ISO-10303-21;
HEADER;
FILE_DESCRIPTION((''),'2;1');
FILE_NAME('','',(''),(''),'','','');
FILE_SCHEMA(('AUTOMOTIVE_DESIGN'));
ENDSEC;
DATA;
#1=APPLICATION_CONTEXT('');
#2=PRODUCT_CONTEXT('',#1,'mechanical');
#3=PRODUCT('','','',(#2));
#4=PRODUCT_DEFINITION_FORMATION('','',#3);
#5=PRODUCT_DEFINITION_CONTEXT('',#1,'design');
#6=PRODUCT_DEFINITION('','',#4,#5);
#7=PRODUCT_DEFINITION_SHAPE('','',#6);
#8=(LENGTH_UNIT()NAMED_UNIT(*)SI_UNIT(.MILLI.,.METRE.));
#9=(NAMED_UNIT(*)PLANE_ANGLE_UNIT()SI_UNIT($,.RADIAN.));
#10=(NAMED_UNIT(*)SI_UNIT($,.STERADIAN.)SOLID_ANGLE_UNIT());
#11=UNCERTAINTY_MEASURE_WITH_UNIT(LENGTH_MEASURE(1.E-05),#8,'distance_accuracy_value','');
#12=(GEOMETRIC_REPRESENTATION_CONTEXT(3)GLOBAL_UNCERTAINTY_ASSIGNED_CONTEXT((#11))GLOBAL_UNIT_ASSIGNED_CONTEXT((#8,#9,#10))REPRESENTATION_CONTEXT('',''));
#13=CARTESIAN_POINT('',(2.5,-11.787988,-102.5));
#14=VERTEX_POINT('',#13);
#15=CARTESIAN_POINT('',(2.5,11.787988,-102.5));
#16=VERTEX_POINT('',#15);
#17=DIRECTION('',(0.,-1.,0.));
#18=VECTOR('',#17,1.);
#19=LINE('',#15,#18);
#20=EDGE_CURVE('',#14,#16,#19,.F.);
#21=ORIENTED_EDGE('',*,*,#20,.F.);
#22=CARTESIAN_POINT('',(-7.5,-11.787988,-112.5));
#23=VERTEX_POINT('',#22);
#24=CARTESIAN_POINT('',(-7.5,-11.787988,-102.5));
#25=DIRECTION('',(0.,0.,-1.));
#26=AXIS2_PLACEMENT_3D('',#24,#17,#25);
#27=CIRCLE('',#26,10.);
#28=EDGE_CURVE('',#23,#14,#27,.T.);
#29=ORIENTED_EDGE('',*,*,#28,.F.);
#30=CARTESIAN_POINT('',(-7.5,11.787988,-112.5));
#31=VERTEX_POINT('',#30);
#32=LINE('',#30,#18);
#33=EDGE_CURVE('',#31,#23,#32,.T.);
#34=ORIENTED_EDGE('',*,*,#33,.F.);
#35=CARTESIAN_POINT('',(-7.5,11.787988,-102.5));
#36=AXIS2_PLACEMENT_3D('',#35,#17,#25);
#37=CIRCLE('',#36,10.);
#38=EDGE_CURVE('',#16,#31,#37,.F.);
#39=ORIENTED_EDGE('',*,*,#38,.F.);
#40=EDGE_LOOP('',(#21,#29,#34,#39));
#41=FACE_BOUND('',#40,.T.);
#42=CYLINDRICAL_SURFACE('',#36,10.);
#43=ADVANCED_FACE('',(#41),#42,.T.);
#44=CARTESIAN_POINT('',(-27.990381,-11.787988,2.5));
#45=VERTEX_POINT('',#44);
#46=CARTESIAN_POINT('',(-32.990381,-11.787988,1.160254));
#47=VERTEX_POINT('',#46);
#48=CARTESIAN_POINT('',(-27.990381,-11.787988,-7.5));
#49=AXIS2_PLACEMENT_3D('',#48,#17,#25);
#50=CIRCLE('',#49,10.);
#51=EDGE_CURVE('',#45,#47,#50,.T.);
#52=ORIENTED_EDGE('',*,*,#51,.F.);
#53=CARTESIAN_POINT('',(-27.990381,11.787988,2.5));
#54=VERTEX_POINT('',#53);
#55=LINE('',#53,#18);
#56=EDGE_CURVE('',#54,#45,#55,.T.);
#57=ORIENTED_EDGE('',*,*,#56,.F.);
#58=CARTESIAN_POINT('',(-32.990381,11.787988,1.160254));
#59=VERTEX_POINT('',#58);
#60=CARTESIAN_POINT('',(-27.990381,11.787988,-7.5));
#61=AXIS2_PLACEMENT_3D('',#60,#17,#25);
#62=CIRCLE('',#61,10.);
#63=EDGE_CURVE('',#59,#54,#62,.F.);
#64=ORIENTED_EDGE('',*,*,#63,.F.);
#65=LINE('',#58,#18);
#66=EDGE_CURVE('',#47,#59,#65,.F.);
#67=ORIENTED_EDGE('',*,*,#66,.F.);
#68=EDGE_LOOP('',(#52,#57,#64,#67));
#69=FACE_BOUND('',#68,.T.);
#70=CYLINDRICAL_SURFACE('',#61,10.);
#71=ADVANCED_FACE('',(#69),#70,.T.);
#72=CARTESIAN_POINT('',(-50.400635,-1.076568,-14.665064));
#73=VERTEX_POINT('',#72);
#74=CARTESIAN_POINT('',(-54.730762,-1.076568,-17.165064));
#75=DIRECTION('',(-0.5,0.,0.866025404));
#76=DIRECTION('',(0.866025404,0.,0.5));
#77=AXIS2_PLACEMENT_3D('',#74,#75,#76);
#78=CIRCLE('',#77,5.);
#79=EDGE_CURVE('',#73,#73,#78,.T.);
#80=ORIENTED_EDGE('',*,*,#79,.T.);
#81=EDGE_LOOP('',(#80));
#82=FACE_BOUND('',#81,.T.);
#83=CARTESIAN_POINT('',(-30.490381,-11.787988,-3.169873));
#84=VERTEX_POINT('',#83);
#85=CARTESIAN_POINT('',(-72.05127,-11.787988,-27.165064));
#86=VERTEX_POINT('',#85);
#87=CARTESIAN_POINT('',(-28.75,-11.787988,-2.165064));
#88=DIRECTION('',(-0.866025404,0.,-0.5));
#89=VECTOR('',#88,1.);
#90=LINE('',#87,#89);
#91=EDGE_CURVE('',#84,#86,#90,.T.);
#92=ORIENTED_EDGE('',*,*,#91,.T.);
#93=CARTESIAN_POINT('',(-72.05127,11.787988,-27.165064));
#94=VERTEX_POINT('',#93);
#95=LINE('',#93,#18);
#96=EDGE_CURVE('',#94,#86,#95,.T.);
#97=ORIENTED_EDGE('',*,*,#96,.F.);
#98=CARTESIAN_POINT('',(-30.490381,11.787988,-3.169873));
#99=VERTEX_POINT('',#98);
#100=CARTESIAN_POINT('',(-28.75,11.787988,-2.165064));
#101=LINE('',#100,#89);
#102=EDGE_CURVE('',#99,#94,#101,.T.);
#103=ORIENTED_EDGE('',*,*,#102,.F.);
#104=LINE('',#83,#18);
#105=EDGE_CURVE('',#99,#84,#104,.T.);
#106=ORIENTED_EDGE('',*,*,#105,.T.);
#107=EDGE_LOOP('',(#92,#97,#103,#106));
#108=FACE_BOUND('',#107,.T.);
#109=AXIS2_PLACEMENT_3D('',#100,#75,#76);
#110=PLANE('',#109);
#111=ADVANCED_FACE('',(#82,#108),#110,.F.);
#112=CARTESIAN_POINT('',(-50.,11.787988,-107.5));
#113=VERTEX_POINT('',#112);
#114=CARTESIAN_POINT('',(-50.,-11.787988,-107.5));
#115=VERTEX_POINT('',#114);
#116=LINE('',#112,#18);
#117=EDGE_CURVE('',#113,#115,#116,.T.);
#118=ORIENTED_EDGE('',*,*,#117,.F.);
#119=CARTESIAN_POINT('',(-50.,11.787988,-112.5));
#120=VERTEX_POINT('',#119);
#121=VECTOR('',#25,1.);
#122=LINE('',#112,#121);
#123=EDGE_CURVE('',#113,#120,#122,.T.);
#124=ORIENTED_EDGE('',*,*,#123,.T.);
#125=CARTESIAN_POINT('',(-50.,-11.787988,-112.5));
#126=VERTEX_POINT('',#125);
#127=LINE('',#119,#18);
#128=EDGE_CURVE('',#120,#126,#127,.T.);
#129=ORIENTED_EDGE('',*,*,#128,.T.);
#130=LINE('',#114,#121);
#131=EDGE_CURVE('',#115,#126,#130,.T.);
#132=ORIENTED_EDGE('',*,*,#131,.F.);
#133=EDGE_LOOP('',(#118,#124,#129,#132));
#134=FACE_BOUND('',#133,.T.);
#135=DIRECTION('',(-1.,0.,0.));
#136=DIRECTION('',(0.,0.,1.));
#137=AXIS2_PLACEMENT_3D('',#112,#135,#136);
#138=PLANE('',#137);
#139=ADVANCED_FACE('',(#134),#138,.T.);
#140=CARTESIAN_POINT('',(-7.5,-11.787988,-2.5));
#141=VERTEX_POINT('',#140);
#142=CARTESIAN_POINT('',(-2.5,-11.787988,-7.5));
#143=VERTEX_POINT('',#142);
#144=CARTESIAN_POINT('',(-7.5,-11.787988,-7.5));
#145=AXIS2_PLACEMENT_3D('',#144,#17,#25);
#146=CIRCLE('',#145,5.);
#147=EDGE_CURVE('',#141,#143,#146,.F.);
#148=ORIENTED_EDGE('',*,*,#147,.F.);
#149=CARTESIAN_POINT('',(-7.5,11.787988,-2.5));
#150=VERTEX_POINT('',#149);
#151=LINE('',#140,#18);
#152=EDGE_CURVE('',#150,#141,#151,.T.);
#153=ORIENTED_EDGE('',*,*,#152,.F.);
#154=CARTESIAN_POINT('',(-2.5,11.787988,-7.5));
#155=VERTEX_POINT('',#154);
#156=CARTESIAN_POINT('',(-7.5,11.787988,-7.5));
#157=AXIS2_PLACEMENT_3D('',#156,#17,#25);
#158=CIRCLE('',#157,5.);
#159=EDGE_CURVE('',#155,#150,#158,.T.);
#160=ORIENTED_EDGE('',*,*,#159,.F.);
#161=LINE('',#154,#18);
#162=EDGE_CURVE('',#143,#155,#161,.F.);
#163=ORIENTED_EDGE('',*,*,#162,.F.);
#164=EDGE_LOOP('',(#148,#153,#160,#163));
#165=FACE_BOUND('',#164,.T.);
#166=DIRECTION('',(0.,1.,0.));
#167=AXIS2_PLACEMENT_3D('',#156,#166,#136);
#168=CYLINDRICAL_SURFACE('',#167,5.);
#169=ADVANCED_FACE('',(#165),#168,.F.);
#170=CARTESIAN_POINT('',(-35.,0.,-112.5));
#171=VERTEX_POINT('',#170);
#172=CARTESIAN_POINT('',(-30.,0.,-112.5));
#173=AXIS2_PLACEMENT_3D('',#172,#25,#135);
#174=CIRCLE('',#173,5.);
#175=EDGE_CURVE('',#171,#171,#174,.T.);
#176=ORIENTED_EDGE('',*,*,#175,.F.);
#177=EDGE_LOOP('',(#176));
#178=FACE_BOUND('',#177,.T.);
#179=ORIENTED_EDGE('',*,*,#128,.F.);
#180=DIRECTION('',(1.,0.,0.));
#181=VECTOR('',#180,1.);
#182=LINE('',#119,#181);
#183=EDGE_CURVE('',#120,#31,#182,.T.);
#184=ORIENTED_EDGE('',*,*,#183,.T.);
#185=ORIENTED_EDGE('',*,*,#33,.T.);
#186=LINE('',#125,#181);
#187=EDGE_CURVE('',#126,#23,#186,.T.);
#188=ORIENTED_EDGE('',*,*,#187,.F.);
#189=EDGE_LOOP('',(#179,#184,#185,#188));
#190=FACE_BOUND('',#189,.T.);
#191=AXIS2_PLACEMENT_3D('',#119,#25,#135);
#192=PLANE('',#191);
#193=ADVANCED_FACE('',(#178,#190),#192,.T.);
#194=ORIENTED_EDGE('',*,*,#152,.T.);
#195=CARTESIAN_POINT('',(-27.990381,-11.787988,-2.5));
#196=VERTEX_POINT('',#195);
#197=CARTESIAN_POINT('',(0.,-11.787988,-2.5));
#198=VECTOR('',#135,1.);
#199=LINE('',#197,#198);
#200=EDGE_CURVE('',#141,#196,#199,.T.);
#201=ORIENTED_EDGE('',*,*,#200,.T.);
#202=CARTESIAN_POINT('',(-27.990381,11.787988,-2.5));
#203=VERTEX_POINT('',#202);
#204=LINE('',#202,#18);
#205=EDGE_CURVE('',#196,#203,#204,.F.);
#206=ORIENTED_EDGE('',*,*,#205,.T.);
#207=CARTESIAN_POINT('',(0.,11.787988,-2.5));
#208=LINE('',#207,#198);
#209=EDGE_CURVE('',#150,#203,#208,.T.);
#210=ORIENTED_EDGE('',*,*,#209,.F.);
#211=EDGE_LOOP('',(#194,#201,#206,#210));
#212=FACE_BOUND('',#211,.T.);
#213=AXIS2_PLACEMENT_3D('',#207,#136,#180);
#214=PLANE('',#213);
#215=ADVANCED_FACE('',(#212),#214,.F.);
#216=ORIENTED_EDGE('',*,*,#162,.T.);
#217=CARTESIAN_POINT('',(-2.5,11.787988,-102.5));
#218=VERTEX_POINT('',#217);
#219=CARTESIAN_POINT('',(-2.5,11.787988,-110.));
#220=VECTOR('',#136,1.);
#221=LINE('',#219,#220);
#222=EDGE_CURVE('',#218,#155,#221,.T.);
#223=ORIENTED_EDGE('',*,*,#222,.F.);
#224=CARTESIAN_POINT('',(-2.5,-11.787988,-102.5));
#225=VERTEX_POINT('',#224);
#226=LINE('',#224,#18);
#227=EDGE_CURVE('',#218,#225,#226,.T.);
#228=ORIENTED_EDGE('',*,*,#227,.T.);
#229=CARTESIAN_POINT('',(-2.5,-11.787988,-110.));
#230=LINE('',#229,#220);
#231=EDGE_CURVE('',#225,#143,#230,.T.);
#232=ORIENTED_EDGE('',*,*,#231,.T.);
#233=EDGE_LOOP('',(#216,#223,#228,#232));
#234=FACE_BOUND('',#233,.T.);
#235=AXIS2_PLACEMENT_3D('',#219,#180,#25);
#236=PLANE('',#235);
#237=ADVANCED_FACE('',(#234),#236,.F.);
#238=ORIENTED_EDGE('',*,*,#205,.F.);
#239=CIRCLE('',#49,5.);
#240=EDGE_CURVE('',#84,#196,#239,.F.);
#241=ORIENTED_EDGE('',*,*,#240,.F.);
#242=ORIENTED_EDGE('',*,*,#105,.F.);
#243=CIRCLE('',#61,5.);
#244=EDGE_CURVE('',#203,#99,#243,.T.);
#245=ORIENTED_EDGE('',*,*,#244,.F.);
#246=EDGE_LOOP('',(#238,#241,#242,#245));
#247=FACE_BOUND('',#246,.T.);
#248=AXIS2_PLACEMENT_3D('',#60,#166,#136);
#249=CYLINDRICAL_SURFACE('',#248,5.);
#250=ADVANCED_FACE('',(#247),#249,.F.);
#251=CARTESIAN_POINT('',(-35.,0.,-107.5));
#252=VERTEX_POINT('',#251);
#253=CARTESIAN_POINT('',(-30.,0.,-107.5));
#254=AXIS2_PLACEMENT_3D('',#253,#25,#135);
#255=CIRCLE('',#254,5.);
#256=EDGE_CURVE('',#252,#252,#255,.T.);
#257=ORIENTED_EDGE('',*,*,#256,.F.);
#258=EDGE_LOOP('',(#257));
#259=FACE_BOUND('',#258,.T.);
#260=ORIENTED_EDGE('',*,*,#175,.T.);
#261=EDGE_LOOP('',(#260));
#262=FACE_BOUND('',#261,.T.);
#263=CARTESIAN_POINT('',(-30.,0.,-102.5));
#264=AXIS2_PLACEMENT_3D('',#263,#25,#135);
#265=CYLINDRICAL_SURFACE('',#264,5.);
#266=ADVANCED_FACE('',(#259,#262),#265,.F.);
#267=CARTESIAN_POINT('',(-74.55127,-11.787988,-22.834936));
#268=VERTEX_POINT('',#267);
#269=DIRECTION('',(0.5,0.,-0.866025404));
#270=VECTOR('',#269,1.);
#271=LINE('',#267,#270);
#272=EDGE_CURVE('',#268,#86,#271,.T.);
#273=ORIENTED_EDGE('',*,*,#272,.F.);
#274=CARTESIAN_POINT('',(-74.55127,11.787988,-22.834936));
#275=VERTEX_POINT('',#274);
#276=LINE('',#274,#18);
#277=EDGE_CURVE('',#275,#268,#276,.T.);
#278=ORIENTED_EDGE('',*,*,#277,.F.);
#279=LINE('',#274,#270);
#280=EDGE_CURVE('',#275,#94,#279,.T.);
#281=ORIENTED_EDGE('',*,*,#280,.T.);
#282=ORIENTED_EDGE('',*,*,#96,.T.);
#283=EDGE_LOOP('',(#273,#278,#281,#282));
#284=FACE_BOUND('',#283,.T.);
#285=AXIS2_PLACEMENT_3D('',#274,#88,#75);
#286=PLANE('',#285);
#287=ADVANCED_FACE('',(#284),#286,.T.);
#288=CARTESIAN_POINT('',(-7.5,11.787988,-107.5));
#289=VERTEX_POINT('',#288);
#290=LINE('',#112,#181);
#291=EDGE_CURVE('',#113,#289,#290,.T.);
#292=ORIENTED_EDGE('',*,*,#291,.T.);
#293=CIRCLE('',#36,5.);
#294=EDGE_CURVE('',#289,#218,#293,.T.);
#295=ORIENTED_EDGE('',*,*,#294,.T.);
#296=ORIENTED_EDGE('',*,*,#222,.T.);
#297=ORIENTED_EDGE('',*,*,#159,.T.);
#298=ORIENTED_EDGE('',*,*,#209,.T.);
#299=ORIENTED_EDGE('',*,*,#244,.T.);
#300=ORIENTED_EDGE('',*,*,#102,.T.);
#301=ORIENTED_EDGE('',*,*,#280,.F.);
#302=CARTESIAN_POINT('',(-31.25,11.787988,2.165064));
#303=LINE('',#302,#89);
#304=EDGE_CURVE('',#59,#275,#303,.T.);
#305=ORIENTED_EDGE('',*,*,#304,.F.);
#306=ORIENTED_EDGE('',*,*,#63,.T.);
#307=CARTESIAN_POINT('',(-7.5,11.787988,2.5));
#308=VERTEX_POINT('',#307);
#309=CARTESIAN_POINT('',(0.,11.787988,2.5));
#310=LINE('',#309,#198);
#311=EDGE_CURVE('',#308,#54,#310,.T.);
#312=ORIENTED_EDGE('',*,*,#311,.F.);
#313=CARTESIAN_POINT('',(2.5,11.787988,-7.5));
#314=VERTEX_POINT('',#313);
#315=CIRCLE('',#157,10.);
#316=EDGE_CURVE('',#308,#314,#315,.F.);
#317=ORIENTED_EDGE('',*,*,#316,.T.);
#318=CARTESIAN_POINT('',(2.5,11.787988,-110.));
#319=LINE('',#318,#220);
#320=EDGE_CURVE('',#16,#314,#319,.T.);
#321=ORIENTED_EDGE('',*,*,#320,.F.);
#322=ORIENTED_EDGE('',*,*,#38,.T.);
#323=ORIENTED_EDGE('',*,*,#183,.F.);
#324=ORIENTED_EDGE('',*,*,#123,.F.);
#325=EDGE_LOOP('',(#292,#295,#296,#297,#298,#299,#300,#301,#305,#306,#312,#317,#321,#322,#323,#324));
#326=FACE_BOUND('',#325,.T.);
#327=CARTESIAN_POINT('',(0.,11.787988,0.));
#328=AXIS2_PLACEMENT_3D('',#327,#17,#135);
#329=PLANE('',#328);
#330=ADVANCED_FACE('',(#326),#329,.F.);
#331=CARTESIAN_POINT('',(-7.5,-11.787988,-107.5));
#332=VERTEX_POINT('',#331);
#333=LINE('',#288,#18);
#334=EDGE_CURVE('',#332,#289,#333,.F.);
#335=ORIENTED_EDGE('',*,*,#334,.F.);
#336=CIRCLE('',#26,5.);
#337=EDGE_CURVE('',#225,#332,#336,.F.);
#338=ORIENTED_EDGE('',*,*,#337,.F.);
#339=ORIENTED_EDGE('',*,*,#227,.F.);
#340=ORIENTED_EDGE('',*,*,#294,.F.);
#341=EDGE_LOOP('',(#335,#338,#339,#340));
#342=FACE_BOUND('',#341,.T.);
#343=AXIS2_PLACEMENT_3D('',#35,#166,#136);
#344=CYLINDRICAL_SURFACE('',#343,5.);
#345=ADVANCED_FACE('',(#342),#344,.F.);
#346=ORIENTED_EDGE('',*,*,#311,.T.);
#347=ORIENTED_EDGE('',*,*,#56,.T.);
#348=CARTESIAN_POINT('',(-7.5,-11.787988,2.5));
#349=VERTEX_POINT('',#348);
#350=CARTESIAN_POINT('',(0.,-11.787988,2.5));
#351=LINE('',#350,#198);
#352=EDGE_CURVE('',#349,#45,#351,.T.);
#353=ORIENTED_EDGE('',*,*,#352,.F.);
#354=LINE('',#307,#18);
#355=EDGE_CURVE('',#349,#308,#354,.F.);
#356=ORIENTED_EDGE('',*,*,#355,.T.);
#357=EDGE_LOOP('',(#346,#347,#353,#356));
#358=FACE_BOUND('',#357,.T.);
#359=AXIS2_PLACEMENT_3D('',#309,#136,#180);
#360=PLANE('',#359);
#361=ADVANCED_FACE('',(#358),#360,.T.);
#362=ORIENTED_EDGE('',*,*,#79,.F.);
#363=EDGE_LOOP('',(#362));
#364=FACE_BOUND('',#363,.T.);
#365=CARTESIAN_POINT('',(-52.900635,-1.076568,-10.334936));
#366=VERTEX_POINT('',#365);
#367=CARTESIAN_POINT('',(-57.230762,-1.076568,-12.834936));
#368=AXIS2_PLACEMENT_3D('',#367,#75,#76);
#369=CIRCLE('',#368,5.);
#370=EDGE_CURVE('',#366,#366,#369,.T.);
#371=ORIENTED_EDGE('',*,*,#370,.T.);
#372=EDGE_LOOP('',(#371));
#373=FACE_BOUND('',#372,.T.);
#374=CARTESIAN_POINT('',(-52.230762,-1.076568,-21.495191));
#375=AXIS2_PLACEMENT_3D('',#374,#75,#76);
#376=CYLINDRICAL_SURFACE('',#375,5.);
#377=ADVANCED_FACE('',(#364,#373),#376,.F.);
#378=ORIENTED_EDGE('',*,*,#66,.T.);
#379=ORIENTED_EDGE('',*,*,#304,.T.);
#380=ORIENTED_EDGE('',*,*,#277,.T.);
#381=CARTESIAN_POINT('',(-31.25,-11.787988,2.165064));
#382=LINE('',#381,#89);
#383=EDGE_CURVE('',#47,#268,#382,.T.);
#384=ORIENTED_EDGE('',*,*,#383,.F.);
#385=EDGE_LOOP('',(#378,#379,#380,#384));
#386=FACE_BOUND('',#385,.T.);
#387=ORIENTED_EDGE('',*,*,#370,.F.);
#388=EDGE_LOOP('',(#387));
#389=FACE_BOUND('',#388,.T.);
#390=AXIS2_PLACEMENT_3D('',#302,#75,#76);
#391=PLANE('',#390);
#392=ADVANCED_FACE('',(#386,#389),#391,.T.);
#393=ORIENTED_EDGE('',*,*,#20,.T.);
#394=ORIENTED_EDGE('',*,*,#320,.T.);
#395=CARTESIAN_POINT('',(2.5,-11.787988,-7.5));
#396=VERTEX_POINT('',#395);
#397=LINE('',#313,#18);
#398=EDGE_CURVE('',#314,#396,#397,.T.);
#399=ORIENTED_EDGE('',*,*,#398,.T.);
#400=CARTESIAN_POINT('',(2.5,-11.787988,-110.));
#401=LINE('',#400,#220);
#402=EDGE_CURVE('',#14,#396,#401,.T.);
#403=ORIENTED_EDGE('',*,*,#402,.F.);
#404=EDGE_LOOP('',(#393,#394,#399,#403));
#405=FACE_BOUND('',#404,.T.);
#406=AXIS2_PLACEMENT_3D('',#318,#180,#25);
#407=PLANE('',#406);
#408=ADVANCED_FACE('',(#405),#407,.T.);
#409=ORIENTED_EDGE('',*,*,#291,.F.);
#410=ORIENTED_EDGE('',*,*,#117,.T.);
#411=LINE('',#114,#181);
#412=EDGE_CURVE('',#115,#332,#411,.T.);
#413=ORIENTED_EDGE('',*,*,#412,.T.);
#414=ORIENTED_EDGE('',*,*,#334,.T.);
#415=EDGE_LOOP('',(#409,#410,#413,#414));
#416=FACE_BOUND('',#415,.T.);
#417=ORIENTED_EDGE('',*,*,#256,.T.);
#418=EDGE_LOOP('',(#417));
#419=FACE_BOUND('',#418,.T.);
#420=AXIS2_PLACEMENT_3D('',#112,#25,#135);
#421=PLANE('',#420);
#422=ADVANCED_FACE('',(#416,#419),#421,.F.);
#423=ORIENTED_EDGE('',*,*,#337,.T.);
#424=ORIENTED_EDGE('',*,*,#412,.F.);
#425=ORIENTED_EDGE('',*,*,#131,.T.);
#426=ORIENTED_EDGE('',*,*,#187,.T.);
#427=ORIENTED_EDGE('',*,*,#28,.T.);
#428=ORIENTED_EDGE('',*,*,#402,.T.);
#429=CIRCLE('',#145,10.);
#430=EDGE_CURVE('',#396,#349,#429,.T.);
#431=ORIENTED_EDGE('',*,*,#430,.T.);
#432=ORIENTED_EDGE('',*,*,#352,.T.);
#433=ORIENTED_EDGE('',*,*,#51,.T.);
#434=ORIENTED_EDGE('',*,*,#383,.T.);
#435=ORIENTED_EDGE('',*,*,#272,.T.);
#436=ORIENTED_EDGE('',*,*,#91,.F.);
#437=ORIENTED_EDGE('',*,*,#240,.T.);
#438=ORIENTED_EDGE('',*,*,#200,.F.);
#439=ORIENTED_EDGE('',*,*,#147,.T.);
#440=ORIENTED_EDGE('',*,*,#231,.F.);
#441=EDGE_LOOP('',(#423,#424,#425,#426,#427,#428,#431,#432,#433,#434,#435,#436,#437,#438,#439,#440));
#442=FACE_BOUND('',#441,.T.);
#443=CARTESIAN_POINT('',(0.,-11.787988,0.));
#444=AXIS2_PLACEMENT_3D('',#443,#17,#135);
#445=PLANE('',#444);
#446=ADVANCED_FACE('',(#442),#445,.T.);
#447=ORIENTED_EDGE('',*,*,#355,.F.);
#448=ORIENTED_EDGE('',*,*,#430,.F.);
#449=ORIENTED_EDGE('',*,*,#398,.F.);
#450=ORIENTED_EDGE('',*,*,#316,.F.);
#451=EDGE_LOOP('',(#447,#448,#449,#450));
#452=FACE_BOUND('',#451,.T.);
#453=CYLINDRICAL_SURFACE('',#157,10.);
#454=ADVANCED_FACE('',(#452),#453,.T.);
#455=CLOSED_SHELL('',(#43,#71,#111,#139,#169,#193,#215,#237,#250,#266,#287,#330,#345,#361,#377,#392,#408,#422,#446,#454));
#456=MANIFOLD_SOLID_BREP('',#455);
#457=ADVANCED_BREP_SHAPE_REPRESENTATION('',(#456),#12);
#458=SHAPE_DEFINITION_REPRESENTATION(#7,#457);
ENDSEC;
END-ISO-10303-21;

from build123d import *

# Parameters (mm, degrees)
EXTRUDE_THIN1_DEPTH = 11.787987944
FILLET1_R           = 5
FILLET2_R           = 10
FILLET3_R           = 10
FILLET4_R           = 5
FILLET5_R           = 5
FILLET6_R           = 10
SKETCH3_R           = 5
CUT_EXTRUDE1_DEPTH  = 10
SKETCH5_R           = 5
CUT_EXTRUDE2_DEPTH  = 10


with BuildPart() as part:
    # Sketch1 → Extrude-Thin1 (new, symmetric)
    with BuildSketch(Plane(origin=(0, 0, 0), x_dir=(1, 0, 0), z_dir=(0, 1, 0))):
        Polygon((-50, 107.5), (-2.5, 107.5), (-2.5, 2.5), (-29.330127019, 2.5), (-72.051270189, 27.165063509), (-74.551270189, 22.834936491), (-30.669872981, -2.5), (2.5, -2.5), (2.5, 112.5), (-50, 112.5), align=None)
    extrude(amount=EXTRUDE_THIN1_DEPTH, both=True)

    # Fillet1
    fillet1_edges = [part.edges().sort_by_distance(p)[0] for p in [
        (-2.5, 0, -107.5),
    ]]
    fillet(fillet1_edges, radius=FILLET1_R)

    # Fillet2
    fillet2_edges = [part.edges().sort_by_distance(p)[0] for p in [
        (2.5, 0, -112.5),
    ]]
    fillet(fillet2_edges, radius=FILLET2_R)

    # Fillet3
    fillet3_edges = [part.edges().sort_by_distance(p)[0] for p in [
        (2.5, 0, 2.5),
    ]]
    fillet(fillet3_edges, radius=FILLET3_R)

    # Fillet4
    fillet4_edges = [part.edges().sort_by_distance(p)[0] for p in [
        (-2.5, 0, -2.5),
    ]]
    fillet(fillet4_edges, radius=FILLET4_R)

    # Fillet5
    fillet5_edges = [part.edges().sort_by_distance(p)[0] for p in [
        (-29.330127019, 0, -2.5),
    ]]
    fillet(fillet5_edges, radius=FILLET5_R)

    # Fillet6
    fillet6_edges = [part.edges().sort_by_distance(p)[0] for p in [
        (-30.669872981, 0, 2.5),
    ]]
    fillet(fillet6_edges, radius=FILLET6_R)

    # Sketch3 → Cut-Extrude1 (cut)
    with BuildSketch(Plane(origin=(0, 0, -112.5), x_dir=(-1, 0, 0), z_dir=(0, 0, -1))):
        with Locations((30, 0)):
            Circle(SKETCH3_R)
    extrude(amount=-CUT_EXTRUDE1_DEPTH, mode=Mode.SUBTRACT)

    # Sketch5 → Cut-Extrude2 (cut)
    with BuildSketch(Plane(origin=(-8.75, 0, 15.155444566), x_dir=(0.866025403784438, 0, 0.500000000000001), z_dir=(-0.500000000000001, 0, 0.866025403784438))):
        with Locations((-55.980762114, -1.07656789)):
            Circle(SKETCH5_R)
    extrude(amount=-CUT_EXTRUDE2_DEPTH, mode=Mode.SUBTRACT)


solid = part.part
